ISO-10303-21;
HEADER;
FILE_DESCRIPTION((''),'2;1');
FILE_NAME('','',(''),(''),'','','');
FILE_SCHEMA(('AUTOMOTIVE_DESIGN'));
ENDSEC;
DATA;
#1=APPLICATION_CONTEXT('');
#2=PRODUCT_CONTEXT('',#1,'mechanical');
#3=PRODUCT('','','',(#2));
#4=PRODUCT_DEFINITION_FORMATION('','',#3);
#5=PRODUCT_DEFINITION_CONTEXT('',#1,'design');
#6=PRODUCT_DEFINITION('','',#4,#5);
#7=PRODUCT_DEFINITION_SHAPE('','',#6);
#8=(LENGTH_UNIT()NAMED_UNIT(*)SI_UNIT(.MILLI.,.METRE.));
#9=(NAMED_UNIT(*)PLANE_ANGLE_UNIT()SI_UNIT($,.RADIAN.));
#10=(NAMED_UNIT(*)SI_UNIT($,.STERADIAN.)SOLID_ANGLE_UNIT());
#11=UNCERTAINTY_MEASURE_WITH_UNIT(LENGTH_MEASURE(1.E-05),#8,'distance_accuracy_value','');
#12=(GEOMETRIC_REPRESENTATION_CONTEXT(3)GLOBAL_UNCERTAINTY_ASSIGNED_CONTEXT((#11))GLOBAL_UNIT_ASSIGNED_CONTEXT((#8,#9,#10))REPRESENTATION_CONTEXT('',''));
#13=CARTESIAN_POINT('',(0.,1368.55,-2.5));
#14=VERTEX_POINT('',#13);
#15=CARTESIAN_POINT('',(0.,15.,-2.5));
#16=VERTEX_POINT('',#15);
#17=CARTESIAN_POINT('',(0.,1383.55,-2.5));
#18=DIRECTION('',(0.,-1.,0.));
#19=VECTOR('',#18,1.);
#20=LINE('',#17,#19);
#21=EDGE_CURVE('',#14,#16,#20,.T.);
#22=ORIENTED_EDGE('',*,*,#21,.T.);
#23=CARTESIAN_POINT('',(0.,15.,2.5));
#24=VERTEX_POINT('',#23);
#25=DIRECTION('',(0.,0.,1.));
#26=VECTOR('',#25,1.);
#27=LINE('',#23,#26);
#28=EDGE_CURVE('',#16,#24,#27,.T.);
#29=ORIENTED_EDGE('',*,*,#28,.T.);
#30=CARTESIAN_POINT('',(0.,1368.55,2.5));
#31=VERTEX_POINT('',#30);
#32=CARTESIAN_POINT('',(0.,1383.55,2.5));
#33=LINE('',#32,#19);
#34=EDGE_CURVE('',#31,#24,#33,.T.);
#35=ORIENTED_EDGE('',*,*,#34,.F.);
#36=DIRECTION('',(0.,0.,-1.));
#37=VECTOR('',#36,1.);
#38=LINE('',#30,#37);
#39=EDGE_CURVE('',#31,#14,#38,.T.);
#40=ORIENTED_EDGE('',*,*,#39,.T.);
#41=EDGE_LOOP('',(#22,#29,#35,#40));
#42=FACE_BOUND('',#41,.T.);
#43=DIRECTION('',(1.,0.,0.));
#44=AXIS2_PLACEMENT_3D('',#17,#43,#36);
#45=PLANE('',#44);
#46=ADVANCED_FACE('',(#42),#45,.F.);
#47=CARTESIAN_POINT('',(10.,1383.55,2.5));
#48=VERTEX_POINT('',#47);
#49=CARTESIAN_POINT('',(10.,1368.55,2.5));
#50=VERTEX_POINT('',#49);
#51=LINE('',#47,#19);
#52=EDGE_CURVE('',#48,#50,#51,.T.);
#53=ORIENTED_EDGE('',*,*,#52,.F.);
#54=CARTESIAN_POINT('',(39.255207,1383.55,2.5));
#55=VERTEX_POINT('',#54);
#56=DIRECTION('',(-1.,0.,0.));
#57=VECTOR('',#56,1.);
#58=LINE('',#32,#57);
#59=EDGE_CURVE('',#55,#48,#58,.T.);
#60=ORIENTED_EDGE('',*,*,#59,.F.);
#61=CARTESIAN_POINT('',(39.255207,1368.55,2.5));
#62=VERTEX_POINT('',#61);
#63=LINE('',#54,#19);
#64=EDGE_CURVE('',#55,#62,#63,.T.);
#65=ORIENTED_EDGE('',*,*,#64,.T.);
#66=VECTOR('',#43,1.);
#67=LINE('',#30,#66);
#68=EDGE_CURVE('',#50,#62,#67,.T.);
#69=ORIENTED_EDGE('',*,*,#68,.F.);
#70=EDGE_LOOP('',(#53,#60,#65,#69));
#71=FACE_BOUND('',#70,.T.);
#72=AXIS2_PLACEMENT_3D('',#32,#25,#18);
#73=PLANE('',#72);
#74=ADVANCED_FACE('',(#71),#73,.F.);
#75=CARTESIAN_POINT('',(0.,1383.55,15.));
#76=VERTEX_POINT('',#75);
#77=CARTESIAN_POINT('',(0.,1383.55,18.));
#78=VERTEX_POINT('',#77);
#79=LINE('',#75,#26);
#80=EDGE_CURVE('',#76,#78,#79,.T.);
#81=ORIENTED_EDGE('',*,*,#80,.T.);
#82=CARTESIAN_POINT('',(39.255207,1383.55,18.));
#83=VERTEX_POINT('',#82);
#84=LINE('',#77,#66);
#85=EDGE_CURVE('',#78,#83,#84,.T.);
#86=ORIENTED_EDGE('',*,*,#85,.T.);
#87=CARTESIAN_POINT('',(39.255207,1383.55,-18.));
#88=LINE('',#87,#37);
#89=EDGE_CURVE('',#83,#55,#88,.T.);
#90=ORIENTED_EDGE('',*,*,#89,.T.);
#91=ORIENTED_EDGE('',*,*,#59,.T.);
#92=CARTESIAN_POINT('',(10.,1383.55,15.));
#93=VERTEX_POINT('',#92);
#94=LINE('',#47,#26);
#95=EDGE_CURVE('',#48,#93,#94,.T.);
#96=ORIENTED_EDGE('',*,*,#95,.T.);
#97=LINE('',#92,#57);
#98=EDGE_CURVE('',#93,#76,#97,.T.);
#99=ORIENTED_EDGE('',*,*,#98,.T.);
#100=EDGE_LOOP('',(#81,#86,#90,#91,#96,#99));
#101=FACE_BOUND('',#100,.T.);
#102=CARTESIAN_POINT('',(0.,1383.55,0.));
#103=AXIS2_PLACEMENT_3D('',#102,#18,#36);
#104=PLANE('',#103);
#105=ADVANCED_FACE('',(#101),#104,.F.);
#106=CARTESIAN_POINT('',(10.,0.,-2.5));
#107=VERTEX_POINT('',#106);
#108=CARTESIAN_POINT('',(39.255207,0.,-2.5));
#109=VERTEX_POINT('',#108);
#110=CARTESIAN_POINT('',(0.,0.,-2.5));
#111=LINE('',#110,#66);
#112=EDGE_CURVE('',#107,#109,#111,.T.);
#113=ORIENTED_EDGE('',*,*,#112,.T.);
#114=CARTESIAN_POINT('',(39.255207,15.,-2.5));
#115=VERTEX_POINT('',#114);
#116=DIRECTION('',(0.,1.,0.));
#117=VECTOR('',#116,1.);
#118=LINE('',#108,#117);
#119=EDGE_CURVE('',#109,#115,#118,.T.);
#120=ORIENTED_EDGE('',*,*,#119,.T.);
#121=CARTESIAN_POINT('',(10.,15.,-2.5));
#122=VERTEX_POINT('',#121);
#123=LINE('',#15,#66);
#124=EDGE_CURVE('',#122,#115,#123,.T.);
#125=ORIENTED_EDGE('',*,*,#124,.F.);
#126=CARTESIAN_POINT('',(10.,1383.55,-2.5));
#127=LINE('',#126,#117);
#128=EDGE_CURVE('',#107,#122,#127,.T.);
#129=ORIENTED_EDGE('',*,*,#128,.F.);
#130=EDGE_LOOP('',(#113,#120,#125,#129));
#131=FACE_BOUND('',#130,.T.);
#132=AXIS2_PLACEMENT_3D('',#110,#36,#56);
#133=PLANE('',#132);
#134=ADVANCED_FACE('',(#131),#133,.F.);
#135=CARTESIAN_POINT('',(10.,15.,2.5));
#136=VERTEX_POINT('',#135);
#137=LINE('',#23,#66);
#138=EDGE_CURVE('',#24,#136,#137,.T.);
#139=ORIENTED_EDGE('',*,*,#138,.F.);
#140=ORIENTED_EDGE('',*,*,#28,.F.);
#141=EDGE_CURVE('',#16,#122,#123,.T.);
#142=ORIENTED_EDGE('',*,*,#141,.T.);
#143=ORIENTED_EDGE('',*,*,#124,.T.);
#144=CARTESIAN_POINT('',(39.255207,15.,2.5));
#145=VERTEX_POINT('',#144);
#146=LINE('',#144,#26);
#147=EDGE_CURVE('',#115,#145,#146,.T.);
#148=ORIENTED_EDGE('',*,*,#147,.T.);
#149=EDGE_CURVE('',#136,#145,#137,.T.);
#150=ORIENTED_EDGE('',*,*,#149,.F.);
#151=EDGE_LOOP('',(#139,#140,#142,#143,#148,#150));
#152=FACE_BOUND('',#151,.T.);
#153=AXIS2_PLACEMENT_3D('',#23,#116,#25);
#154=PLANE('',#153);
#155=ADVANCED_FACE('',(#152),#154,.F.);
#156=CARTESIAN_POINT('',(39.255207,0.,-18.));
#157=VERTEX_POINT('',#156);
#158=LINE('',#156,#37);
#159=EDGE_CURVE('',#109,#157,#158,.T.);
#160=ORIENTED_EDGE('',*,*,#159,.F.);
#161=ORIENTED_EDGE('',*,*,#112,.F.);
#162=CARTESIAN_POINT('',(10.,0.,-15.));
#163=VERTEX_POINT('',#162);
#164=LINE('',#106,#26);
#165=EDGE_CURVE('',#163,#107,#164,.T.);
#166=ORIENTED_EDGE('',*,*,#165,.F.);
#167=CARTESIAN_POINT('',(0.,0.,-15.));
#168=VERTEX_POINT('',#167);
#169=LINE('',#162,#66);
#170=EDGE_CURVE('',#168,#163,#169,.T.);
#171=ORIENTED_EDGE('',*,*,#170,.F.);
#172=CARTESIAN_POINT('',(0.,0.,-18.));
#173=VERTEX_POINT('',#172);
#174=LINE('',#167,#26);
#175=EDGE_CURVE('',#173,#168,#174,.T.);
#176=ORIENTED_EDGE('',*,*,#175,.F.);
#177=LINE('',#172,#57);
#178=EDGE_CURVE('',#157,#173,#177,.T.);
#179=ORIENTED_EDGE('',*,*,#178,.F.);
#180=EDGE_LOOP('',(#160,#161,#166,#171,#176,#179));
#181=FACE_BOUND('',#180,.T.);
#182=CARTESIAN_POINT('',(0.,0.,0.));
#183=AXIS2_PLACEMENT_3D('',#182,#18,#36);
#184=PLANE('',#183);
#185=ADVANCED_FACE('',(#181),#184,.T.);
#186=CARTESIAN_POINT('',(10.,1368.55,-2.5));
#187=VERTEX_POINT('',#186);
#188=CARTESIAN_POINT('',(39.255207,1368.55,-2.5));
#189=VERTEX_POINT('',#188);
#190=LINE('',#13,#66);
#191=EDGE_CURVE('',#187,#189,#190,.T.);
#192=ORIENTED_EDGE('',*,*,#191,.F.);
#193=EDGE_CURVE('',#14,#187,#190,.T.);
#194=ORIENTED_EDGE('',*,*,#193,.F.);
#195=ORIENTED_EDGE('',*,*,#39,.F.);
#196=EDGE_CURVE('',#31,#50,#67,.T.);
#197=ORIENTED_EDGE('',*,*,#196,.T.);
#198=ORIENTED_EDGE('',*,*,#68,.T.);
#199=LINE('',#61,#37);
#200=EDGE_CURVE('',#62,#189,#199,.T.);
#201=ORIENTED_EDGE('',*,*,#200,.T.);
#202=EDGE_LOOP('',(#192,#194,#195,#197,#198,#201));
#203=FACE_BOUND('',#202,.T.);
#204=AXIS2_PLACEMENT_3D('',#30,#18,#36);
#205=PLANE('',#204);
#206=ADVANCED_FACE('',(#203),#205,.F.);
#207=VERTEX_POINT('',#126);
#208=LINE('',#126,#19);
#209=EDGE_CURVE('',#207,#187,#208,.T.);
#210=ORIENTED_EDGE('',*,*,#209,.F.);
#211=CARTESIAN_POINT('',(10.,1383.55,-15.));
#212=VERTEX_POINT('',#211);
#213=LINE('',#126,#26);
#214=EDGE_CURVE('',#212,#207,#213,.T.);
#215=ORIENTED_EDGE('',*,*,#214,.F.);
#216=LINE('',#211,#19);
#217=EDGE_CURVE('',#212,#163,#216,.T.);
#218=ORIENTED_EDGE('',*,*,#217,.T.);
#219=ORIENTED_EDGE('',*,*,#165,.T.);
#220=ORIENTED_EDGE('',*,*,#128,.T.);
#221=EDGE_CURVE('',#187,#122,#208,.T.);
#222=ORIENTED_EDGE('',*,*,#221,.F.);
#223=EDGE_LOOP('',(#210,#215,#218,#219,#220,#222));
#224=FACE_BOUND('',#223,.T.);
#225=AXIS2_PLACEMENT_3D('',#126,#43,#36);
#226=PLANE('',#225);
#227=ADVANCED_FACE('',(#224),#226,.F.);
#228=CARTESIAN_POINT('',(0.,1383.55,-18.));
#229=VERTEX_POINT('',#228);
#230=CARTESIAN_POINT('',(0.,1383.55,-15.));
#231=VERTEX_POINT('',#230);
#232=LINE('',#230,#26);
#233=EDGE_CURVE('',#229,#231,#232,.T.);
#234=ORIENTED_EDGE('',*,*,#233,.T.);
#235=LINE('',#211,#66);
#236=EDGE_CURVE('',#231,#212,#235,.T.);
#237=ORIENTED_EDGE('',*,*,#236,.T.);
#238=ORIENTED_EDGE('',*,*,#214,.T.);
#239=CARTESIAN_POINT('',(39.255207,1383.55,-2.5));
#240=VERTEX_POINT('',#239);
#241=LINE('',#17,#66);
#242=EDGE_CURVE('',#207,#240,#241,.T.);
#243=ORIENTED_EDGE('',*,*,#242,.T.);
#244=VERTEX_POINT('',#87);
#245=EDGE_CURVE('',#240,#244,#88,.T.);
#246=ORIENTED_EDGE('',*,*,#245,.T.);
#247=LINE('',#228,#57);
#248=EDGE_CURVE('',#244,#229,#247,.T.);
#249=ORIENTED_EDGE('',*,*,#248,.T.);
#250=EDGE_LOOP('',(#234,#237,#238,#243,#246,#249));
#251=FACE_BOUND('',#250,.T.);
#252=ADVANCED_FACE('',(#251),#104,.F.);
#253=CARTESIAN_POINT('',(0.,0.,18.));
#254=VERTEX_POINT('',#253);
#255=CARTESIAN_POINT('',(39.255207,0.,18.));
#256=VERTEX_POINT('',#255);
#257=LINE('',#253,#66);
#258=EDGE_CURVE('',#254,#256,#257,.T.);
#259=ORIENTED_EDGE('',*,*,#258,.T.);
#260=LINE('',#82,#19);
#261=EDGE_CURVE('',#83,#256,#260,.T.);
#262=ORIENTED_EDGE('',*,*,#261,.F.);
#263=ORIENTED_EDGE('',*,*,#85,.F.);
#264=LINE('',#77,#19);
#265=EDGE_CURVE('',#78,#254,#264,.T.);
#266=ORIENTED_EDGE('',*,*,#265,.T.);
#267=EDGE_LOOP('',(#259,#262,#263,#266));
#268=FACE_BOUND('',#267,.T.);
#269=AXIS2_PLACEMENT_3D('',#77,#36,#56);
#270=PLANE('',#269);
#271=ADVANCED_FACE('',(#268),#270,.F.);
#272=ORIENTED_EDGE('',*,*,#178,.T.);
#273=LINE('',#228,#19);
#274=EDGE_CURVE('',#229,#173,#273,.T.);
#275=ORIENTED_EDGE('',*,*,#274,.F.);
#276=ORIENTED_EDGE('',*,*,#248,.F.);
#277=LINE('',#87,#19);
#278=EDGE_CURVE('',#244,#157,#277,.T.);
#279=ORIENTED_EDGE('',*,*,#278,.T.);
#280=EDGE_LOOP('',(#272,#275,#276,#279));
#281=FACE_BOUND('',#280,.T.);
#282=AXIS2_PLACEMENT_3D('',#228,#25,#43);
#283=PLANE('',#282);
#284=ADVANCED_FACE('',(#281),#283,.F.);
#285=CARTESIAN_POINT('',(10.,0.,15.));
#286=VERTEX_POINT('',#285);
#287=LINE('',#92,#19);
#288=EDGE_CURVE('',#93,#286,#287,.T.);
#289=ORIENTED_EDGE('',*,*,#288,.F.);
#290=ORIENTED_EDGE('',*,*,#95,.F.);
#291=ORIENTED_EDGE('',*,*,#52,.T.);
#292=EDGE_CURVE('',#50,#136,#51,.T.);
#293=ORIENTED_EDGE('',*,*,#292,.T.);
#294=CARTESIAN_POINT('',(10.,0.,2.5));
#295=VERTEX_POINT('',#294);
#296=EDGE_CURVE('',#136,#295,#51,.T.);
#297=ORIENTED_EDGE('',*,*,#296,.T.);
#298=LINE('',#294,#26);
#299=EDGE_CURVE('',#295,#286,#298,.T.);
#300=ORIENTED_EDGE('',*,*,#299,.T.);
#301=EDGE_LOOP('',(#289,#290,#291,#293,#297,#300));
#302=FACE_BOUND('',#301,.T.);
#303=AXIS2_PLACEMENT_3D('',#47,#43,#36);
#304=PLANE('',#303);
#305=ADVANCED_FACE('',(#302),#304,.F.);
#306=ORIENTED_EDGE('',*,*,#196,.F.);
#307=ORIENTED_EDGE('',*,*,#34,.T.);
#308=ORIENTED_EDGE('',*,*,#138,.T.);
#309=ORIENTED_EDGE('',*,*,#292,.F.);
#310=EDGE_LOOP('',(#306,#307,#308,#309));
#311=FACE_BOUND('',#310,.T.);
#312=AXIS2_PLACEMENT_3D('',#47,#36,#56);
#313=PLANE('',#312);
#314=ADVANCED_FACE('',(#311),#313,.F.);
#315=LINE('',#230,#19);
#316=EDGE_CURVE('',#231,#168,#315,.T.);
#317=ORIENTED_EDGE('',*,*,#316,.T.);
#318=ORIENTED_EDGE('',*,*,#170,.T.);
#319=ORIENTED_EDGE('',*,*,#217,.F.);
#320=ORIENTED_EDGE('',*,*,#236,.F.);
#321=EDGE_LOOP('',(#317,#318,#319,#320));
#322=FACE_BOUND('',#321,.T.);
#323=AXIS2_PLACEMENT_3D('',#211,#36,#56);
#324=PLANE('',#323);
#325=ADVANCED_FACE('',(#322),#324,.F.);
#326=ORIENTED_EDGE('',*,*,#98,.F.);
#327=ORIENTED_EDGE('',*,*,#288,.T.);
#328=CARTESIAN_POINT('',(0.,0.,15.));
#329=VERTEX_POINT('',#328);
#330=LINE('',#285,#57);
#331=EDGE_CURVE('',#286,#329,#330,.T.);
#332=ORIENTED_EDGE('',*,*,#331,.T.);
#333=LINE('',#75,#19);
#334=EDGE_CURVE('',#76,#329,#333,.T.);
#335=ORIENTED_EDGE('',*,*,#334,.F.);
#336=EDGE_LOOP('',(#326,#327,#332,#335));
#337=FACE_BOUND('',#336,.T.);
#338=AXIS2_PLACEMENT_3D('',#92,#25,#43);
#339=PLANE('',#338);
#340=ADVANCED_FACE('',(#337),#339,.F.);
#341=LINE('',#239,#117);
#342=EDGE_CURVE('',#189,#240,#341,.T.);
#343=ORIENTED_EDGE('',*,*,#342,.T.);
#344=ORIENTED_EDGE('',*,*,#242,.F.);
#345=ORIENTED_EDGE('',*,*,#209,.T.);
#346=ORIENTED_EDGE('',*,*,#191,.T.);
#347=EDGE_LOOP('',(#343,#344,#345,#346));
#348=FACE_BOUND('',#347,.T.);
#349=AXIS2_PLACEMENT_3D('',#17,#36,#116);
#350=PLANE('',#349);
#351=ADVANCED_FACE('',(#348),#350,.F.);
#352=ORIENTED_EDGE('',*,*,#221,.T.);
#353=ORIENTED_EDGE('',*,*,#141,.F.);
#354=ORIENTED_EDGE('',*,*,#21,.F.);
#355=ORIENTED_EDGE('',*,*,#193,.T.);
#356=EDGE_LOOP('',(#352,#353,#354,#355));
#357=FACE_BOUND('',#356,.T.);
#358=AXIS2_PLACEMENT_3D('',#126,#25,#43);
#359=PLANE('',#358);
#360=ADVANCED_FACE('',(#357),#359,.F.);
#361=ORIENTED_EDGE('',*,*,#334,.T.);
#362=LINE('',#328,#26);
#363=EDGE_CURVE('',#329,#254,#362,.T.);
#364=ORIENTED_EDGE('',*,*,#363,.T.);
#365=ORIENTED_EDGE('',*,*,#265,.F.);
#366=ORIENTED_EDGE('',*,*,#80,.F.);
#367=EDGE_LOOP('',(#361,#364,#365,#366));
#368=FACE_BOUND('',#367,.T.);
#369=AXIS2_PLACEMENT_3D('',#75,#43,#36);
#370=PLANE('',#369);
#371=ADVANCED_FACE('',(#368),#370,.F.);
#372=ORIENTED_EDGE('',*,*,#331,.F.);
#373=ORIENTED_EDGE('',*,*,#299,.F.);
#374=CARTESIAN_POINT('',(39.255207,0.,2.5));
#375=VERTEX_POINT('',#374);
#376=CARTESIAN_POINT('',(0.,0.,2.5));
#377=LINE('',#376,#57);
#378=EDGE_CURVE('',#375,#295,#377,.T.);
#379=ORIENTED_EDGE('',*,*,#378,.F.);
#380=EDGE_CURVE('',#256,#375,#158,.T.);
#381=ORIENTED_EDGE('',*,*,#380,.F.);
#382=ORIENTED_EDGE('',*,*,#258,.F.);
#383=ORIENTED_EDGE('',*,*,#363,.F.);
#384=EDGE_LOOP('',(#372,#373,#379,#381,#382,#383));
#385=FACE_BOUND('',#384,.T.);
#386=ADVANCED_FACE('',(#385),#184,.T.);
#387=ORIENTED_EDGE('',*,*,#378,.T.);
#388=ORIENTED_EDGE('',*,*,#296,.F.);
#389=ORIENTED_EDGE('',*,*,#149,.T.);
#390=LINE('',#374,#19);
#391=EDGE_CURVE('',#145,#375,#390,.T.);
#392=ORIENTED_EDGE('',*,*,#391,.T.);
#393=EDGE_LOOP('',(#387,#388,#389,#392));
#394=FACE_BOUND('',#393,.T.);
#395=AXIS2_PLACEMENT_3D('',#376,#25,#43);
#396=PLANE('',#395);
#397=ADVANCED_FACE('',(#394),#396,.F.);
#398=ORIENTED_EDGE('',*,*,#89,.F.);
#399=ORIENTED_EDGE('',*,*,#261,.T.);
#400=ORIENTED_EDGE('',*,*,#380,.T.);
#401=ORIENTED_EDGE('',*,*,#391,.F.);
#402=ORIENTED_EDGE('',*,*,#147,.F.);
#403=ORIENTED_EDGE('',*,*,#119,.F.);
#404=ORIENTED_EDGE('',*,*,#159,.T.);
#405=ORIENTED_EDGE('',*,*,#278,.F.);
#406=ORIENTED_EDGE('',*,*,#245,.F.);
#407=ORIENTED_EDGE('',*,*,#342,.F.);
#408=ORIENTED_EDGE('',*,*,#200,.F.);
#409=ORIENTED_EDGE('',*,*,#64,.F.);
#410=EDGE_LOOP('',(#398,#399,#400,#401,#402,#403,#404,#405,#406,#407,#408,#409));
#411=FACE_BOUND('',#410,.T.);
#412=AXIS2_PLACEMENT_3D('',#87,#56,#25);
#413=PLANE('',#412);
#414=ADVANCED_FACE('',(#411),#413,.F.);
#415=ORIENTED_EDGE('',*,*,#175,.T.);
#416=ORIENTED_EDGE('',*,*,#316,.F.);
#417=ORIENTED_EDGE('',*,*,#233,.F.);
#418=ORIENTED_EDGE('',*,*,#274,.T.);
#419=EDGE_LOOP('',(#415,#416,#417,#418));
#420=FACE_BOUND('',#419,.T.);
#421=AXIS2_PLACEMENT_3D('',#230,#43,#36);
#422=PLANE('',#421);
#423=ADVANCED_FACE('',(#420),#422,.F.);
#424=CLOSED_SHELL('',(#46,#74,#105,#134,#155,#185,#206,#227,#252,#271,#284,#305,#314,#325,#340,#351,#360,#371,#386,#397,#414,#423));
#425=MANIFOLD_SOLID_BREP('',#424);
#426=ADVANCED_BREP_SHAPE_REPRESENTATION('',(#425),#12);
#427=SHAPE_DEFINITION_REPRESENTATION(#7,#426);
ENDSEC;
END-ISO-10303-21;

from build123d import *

# Parameters (mm, degrees)
EXTRUDE_1_DEPTH     = 1383.55
SKETCH_3_W          = 5
SKETCH_3_H          = 15
CUT_EXTRUDE_4_DEPTH = 40.25520667


with BuildPart() as part:
    # Эскиз1 → Бобышка-Вытянуть1 (new body)
    with BuildSketch(Plane(origin=(0, 0, 0), x_dir=(1, 0, 0), z_dir=(0, 1, 0))):
        Polygon((10, 2.5), (10, 15), (0, 15), (0, 18), (39.25520667, 18), (39.25520667, -18), (0, -18), (0, -15), (10, -15), (10, -2.5), (0, -2.5), (0, 2.5), align=None)
    extrude(amount=EXTRUDE_1_DEPTH)

    # Эскиз3 → Вырез-Вытянуть4 (cut, through all)
    with BuildSketch(Plane(origin=(39.25520667, 0, 0), x_dir=(0, 0, -1), z_dir=(1, 0, 0))):
        with Locations((0, 7.5)):
            Rectangle(SKETCH_3_W, SKETCH_3_H)
        with Locations((0, 1376.05)):
            Rectangle(SKETCH_3_W, SKETCH_3_H)
    extrude(amount=-CUT_EXTRUDE_4_DEPTH, mode=Mode.SUBTRACT)


solid = part.part
